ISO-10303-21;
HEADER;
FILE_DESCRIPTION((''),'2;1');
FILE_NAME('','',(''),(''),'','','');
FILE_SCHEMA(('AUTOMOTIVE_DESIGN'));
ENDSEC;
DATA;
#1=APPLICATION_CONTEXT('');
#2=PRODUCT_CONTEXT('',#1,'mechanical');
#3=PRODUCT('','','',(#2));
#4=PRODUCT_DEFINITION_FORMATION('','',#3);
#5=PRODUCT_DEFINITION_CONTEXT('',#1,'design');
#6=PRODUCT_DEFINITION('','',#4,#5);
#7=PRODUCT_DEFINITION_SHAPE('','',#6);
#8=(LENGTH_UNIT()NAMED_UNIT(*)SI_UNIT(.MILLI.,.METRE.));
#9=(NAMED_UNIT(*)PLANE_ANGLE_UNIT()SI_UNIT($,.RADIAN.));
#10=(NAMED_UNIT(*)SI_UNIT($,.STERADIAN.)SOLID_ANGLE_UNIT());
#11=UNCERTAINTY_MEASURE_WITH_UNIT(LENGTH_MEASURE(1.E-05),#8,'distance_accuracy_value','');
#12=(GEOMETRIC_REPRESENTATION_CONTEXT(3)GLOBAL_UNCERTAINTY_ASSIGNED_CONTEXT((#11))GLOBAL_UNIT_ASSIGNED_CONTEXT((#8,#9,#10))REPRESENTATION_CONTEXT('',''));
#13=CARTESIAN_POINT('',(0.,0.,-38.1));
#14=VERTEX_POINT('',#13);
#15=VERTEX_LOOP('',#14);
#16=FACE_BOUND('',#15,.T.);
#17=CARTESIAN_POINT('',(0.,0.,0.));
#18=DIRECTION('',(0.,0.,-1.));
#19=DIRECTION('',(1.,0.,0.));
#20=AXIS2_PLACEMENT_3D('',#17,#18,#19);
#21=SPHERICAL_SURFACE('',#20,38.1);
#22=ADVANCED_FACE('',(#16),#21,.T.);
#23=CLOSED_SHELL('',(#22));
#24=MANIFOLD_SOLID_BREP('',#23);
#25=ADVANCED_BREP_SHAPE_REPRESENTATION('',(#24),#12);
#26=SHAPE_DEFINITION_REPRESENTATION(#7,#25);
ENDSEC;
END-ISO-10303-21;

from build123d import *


with BuildPart() as part:
    # Sketch2 → Revolve1 (revolve)
    with BuildSketch(Plane(origin=(0, 0, 0), x_dir=(1, 0, 0), z_dir=(0, 1, 0))):
        with BuildLine():
            Line((0, 38.1), (0, -38.1))
            ThreePointArc((0, -38.1), (38.1, 0), (0, 38.1))
        make_face()
    revolve(axis=Axis((0, 0, -38.1), (0, 0, 1)))


solid = part.part
